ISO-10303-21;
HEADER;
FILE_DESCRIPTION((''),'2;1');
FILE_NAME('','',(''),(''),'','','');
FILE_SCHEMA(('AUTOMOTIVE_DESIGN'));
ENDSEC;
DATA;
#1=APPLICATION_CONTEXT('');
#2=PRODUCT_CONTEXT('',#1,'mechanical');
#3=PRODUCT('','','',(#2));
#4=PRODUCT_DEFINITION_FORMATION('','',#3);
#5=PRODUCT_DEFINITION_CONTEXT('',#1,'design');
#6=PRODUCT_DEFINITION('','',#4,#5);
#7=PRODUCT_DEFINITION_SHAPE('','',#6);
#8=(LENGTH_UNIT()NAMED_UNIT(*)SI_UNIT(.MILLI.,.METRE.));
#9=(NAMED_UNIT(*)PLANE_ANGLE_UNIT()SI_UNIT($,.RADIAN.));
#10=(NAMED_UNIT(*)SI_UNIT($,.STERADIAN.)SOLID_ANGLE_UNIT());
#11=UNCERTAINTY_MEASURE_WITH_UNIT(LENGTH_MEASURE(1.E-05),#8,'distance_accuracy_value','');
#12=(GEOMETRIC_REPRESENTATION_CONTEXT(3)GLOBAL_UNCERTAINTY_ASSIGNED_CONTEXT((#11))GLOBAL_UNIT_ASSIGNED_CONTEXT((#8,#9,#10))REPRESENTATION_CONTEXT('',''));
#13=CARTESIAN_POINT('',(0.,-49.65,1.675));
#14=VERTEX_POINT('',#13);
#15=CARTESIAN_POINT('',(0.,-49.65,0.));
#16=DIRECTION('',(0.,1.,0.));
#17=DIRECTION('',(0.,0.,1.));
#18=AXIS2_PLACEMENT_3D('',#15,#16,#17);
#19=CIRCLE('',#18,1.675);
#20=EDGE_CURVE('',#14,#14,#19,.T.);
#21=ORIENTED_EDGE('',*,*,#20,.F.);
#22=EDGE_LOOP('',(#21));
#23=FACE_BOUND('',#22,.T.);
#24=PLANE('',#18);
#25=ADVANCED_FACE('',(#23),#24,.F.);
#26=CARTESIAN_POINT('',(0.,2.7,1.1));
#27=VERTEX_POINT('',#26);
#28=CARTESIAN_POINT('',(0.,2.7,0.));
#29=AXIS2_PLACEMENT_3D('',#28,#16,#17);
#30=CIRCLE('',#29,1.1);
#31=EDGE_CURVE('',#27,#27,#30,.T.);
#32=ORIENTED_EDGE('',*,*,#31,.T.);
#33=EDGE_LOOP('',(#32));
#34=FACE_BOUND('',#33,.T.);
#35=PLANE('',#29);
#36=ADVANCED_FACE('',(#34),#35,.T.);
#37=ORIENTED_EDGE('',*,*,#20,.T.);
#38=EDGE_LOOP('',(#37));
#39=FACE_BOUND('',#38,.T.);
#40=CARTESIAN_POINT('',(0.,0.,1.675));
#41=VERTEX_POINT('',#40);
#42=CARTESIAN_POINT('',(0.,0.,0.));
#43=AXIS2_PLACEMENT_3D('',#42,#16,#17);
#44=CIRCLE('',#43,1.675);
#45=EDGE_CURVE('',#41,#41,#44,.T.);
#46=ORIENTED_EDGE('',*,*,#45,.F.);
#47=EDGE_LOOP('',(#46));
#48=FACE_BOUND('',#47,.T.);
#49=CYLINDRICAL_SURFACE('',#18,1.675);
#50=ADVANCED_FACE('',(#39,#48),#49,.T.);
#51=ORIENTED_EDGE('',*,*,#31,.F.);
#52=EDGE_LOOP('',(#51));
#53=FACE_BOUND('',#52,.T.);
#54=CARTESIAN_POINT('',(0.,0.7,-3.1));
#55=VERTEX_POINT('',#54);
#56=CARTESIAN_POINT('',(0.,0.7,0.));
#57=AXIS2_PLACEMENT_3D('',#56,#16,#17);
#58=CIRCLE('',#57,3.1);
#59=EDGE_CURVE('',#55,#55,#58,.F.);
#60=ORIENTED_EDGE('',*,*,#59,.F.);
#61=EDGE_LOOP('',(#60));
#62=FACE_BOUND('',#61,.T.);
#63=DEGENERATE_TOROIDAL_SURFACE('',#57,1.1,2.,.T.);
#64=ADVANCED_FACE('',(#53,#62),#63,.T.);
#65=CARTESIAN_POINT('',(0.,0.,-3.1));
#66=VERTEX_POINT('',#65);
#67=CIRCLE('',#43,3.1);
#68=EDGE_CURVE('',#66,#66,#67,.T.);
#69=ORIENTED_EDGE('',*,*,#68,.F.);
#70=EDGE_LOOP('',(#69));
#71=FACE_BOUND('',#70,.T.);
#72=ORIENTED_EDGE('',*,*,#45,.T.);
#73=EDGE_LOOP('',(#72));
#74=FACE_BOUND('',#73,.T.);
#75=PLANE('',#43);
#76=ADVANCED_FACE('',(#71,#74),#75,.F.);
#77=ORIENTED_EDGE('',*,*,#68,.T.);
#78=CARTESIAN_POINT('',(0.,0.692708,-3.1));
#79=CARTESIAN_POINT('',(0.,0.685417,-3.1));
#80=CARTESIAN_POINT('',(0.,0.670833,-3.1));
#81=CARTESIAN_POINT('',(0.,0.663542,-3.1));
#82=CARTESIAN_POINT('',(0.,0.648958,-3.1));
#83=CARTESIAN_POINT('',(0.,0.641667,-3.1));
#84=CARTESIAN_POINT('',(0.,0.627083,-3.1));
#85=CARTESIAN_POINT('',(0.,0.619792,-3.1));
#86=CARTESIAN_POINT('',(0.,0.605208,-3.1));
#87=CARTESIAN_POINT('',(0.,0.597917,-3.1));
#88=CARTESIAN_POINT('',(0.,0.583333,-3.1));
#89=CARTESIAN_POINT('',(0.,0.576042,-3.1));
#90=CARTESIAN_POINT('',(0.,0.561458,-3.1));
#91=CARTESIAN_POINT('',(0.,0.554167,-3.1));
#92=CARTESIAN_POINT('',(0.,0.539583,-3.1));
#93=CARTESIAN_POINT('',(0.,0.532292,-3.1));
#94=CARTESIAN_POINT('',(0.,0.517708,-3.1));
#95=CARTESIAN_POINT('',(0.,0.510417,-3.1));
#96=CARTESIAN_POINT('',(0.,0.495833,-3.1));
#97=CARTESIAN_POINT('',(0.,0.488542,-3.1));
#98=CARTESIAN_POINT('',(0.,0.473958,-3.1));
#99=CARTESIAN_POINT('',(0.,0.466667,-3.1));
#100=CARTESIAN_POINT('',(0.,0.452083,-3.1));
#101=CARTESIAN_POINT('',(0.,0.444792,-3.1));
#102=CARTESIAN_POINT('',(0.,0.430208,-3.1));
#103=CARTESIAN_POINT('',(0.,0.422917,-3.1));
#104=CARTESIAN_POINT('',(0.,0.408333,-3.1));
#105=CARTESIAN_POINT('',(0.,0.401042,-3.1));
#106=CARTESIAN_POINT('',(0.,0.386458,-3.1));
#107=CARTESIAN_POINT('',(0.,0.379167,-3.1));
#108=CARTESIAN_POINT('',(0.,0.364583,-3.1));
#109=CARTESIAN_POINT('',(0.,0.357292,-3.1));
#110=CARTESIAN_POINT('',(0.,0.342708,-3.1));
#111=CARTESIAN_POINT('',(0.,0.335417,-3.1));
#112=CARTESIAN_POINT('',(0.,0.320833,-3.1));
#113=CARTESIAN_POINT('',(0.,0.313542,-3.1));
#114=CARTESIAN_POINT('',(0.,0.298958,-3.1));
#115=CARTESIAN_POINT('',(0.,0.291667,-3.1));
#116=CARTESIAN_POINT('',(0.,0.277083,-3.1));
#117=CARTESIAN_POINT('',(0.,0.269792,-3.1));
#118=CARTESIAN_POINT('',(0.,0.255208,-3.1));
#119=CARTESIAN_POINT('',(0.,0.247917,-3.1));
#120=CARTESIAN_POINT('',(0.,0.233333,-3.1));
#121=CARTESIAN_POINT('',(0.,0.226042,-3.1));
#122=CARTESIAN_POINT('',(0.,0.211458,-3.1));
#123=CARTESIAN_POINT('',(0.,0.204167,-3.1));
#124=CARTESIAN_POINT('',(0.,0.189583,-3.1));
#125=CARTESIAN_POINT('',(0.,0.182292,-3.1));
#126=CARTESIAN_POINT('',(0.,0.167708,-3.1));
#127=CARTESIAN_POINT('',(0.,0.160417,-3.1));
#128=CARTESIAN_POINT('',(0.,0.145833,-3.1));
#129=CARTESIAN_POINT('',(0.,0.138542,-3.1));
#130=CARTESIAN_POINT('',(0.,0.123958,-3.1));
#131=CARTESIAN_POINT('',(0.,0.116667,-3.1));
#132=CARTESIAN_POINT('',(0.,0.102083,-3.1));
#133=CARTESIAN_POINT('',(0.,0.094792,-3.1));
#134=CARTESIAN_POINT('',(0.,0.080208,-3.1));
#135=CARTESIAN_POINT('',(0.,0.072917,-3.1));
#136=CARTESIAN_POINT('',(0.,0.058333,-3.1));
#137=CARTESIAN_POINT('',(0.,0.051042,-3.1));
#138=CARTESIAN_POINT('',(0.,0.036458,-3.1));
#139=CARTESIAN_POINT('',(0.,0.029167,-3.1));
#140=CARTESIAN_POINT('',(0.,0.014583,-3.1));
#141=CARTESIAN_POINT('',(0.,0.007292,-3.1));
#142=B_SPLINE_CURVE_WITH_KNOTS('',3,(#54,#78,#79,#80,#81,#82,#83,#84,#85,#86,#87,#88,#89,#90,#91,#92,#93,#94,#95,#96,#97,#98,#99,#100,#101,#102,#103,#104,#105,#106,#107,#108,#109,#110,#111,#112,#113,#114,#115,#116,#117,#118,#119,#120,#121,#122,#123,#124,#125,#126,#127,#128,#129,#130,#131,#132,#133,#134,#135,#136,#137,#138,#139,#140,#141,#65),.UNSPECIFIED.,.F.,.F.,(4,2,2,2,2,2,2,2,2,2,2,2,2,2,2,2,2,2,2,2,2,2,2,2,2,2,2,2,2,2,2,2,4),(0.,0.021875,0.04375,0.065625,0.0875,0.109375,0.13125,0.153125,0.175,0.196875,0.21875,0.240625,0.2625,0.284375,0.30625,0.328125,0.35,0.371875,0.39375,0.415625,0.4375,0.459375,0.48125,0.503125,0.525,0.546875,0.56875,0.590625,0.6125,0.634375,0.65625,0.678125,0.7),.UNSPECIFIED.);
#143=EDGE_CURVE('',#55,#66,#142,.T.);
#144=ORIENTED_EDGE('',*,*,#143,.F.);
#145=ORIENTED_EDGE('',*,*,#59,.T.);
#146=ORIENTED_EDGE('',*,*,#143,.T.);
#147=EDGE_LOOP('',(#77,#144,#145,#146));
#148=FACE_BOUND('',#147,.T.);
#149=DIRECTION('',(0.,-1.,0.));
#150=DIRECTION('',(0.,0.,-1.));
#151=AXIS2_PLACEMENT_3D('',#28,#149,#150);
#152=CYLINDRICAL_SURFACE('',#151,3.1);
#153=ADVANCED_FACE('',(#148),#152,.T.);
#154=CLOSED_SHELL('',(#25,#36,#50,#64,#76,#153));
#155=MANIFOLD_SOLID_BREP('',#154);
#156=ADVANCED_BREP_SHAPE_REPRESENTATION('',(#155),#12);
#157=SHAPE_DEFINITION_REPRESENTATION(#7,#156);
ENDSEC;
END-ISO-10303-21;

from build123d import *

# Parameters (mm, degrees)
CROQUIS1_R              = 1.675
SALIENTE_EXTRUIR1_DEPTH = 49.65
CROQUIS2_R              = 3.1
SALIENTE_EXTRUIR2_DEPTH = 2.7
REDONDEO1_R             = 2


with BuildPart() as part:
    # Croquis1 → Saliente-Extruir1 (new body)
    with BuildSketch(Plane(origin=(0, 0, 0), x_dir=(1, 0, 0), z_dir=(0, 1, 0))):
        with Locations(Location((0, 0, 0), (0, 0, 270))):
            Circle(CROQUIS1_R)
    extrude(amount=-SALIENTE_EXTRUIR1_DEPTH)

    # Croquis2 → Saliente-Extruir2 (add)
    with BuildSketch(Plane(origin=(0, 0, 0), x_dir=(1, 0, 0), z_dir=(0, 1, 0))):
        with Locations(Location((0, 0, 0), (0, 0, 90))):
            Circle(CROQUIS2_R)
    extrude(amount=SALIENTE_EXTRUIR2_DEPTH)

    # Redondeo1
    redondeo1_edges = [part.edges().sort_by_distance(p)[0] for p in [
        (0, 2.7, 3.1),
    ]]
    fillet(redondeo1_edges, radius=REDONDEO1_R)


solid = part.part
